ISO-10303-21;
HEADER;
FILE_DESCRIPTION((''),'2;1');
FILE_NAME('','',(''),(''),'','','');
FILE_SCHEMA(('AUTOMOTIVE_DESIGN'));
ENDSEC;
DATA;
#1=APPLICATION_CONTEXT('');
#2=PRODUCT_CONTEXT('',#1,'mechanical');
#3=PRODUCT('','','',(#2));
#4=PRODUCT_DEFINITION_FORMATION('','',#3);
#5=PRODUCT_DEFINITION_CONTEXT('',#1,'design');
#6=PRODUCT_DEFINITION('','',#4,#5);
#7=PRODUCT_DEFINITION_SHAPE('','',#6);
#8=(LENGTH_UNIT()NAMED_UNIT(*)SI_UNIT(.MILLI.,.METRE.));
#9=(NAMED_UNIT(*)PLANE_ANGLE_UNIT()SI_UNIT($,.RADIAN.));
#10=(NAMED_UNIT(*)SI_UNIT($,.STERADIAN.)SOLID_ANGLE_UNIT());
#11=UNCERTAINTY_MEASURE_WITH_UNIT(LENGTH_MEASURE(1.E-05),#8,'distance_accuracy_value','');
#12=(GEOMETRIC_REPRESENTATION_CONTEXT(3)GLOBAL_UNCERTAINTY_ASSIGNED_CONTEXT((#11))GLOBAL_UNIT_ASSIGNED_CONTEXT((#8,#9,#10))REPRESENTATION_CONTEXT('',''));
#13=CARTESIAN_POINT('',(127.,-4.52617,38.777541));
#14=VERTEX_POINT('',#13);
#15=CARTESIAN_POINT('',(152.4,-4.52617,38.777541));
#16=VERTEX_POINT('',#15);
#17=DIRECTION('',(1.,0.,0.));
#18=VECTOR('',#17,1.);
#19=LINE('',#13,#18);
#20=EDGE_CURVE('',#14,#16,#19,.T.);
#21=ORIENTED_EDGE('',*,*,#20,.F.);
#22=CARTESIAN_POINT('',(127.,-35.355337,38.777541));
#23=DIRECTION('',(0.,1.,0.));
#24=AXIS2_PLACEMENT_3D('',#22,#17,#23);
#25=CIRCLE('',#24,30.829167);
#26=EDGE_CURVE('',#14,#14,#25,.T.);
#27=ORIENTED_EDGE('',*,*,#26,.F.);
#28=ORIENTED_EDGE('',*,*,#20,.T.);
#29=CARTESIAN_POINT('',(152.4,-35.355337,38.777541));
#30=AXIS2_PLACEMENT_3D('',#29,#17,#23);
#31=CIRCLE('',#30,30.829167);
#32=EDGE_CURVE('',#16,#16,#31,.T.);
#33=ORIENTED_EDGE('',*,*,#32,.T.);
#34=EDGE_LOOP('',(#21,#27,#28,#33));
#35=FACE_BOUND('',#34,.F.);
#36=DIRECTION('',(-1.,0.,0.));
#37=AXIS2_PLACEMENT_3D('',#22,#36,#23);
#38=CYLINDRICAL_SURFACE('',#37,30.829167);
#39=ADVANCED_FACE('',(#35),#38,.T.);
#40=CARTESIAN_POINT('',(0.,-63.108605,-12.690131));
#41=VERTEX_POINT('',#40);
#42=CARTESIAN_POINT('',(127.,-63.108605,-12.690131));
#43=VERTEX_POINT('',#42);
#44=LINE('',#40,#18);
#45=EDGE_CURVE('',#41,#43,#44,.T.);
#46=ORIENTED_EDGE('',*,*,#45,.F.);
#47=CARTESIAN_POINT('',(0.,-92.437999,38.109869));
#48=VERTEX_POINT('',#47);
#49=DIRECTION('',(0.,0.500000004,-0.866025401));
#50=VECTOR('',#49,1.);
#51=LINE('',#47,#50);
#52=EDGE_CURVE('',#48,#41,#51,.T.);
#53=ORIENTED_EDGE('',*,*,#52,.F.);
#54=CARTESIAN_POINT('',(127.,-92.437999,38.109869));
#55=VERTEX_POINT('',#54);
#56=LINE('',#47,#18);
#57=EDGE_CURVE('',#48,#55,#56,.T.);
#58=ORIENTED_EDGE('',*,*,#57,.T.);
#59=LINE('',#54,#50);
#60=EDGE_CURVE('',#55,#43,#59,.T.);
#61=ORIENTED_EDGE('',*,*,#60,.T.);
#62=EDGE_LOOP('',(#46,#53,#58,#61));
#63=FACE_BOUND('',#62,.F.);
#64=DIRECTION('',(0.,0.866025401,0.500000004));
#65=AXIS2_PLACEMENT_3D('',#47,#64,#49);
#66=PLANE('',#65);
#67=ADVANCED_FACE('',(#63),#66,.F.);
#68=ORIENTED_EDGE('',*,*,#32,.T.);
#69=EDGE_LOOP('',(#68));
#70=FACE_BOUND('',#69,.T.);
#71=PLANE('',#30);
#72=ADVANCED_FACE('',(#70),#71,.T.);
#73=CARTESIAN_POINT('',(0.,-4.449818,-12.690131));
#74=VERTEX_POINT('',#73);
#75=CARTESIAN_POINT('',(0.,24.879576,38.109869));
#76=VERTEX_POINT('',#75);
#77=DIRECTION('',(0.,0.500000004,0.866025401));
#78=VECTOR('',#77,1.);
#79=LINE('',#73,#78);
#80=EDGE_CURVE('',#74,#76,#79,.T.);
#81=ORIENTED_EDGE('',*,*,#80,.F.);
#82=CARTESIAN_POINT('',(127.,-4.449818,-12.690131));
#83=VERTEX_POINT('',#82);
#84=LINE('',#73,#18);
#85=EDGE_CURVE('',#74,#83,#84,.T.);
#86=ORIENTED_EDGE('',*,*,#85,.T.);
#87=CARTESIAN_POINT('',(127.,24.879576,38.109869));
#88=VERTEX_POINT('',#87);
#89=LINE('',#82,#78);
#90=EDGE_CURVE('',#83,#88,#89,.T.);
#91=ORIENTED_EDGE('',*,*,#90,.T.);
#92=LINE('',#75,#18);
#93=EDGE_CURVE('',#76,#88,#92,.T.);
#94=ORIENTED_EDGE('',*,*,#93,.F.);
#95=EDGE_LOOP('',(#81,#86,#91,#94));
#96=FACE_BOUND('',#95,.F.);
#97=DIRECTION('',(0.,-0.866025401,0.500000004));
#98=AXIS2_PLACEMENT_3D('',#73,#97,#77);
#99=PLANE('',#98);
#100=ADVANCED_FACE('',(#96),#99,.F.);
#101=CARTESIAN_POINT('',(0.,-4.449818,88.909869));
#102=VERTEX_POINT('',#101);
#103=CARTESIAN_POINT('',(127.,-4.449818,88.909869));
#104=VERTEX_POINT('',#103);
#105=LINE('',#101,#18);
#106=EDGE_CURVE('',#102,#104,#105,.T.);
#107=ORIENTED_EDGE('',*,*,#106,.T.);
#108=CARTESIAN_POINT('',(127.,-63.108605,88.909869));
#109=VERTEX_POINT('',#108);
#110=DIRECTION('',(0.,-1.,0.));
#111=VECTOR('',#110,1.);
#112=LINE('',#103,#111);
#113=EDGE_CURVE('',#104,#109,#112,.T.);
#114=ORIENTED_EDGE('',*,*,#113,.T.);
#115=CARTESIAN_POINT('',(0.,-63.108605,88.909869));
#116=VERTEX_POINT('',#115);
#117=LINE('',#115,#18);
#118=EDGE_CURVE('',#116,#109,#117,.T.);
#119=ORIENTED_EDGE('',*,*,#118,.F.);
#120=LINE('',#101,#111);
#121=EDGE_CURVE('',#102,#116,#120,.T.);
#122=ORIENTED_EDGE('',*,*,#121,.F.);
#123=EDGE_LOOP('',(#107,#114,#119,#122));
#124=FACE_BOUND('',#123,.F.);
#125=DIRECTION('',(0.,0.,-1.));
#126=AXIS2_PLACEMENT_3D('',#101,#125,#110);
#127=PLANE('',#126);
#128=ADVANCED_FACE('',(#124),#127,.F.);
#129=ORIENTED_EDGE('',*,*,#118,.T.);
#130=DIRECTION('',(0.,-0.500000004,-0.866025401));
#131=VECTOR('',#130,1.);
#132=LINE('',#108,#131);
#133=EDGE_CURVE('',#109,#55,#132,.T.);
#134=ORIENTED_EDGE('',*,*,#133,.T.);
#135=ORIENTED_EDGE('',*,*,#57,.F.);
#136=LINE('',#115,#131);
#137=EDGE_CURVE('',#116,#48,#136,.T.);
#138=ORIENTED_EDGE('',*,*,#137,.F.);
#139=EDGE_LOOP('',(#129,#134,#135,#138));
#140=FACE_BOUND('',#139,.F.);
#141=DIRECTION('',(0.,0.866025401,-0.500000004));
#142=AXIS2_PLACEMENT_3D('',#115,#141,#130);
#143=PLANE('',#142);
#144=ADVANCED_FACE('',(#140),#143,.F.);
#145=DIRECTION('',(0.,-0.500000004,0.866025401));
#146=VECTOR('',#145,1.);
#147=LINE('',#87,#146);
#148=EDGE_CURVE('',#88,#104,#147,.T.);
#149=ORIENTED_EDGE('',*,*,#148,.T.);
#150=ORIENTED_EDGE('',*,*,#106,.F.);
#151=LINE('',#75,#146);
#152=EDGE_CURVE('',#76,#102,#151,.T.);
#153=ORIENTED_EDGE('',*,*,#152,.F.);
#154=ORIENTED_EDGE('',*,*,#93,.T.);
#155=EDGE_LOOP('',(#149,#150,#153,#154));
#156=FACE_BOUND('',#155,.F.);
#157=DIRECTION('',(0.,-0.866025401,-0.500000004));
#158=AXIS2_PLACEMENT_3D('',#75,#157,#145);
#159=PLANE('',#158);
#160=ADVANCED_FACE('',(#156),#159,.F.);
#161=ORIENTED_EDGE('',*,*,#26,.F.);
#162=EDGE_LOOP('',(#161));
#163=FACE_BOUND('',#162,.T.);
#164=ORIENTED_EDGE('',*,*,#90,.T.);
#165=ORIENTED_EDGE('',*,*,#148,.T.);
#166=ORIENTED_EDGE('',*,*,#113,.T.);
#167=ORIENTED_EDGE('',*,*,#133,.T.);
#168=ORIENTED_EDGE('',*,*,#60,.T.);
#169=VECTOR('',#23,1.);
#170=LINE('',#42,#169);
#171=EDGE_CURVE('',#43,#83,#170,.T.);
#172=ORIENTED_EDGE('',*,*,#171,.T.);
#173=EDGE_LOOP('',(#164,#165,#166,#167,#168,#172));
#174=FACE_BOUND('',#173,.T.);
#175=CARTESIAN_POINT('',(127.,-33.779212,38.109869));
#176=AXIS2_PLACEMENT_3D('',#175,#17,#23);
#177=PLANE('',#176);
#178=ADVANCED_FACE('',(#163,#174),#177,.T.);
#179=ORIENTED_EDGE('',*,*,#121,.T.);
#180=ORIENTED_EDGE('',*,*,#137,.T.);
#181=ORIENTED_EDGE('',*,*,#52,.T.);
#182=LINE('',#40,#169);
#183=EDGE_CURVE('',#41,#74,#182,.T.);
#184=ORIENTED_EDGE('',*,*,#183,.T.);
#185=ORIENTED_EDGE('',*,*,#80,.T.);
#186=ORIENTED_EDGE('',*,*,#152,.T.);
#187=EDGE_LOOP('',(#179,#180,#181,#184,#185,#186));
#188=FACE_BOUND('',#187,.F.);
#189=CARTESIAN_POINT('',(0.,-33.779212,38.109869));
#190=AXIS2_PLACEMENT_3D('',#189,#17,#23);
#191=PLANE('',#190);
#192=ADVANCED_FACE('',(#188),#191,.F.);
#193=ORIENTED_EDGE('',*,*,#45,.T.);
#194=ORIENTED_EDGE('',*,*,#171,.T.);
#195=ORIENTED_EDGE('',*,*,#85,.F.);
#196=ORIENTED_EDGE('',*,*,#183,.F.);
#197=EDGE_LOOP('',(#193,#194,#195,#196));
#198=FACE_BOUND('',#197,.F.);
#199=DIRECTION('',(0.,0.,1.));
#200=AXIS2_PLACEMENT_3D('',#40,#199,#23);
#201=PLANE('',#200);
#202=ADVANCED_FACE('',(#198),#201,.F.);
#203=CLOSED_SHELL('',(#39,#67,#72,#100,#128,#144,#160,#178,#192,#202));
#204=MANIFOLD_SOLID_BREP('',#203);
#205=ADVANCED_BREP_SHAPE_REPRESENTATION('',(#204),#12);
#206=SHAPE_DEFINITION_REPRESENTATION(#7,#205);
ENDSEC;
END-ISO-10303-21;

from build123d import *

# Parameters (mm, degrees)
F1_DEPTH = 127
F4_R     = 30.829167
F5_DEPTH = 25.4


with BuildPart() as f1:
    # F0 (on Right) → F1 (new body)
    with BuildSketch(Plane.YZ):
        Polygon((-63.108605, -12.690131), (-4.449818, -12.690131), (24.879576, 38.109869), (-4.449818, 88.909869), (-63.108605, 88.909869), (-92.437999, 38.109869), align=None)
    extrude(amount=F1_DEPTH)

    # F4 (on face) → F5 (join)
    with BuildSketch(Plane.YZ.offset(127)):
        with Locations((-35.355337, 38.777541)):
            Circle(F4_R)
    extrude(amount=F5_DEPTH)


solid = f1.part
